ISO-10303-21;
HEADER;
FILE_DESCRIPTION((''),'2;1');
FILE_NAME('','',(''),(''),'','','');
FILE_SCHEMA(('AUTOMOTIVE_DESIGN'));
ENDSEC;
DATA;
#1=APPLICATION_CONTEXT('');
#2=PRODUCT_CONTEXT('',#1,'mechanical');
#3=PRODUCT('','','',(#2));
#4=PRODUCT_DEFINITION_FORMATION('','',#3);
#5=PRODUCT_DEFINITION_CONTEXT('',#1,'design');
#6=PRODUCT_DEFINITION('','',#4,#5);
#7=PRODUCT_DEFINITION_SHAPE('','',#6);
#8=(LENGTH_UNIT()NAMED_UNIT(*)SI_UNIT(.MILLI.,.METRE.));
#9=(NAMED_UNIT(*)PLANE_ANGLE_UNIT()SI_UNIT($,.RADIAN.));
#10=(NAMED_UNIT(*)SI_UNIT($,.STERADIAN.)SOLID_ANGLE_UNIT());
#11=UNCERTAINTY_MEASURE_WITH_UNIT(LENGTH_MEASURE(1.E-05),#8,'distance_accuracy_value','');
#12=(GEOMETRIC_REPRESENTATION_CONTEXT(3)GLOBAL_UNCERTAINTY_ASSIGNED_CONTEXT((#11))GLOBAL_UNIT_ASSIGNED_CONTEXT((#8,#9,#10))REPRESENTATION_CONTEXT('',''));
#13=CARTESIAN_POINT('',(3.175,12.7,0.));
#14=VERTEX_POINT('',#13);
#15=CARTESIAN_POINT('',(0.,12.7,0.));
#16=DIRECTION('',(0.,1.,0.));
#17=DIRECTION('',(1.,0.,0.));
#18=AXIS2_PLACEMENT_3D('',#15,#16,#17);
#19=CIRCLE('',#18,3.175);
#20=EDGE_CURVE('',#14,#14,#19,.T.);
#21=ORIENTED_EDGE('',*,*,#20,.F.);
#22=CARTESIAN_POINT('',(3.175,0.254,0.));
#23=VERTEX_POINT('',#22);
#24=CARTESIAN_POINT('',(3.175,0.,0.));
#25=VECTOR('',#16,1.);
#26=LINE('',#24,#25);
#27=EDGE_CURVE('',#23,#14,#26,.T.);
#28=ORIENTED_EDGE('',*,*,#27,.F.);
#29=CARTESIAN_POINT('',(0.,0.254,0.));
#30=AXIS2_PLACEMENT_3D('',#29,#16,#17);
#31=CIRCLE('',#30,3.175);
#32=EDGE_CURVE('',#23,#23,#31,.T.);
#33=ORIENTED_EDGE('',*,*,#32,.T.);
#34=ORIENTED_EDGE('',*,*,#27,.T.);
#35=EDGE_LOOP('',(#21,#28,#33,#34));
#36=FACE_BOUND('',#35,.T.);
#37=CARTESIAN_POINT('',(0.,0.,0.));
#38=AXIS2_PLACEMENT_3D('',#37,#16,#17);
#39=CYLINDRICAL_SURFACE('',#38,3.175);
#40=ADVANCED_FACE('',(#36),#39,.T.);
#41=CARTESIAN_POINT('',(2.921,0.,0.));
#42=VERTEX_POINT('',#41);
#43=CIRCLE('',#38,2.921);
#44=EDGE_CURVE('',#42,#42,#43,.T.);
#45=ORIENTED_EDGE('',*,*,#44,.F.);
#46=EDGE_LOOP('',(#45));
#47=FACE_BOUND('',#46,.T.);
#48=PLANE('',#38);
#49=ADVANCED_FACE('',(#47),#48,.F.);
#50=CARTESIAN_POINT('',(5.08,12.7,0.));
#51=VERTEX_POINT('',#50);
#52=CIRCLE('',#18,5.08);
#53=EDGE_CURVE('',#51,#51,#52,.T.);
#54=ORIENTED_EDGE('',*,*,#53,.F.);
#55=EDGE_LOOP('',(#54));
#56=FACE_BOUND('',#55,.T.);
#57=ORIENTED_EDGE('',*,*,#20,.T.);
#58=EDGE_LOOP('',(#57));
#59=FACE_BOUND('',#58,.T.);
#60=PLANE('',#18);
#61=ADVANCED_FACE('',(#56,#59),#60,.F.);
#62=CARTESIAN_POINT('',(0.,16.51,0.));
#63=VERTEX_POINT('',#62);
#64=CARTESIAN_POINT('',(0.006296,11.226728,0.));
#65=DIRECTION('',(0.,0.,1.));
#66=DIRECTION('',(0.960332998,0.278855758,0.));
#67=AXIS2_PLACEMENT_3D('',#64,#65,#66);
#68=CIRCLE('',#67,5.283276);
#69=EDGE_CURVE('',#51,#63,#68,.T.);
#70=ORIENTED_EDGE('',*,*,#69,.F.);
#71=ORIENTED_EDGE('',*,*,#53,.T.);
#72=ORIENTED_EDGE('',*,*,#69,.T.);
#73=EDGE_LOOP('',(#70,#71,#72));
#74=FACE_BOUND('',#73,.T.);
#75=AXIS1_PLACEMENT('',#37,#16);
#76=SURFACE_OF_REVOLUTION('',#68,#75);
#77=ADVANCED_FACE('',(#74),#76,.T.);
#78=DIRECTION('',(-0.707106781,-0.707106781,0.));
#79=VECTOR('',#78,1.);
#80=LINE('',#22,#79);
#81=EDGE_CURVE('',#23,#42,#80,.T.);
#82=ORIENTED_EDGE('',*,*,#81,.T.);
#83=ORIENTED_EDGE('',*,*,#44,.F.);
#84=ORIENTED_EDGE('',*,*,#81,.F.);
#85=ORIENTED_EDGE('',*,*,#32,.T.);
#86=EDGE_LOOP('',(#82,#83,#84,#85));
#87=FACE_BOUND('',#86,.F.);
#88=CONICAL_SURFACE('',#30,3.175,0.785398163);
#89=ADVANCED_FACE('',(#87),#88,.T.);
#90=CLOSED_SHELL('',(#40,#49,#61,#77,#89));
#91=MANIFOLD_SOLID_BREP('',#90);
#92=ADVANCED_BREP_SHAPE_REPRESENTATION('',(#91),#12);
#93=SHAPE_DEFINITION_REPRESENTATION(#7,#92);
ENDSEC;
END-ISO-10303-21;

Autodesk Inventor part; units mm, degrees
ref_plane "YZ Plane" through (0, 0, 0) normal (1, 0, 0) x (0, 1, 0)
ref_plane "XZ Plane" through (0, 0, 0) normal (0, 1, 0) x (-1, 0, 0)
ref_plane "XY Plane" through (0, 0, 0) normal (0, 0, 1) x (1, 0, 0)
sketch "Sketch1" plane through (0, 0, 0) normal (0, 0, 1) x (1, 0, 0)
  line L0 (0, 0) -> (3.175, 0)
  line L1 (3.175, 0) -> (3.175, 12.7)
  line L2 (3.175, 12.7) -> (5.08, 12.7)
  line L3 (0, 0) -> (0, 16.51)
  arc A0 (5.08, 12.7) -> (0, 16.51) centre (0.0064, 11.2268) ccw
  dimension "d0" = 12.7
  dimension "d1" = 16.51
  dimension "d2" = 5.2832
  dimension "d3" = 1.905
  dimension "d4" = 3.175
revolve "Revolution1" add sketch "Sketch1" angle 360 about axis through (0, 0, 0) along (0, 1, 0)
chamfer "Chamfer1" distance 0.254 angle 45 1 edges at (-3.175, 0, 0)
properties part number "Hitch Peg"
